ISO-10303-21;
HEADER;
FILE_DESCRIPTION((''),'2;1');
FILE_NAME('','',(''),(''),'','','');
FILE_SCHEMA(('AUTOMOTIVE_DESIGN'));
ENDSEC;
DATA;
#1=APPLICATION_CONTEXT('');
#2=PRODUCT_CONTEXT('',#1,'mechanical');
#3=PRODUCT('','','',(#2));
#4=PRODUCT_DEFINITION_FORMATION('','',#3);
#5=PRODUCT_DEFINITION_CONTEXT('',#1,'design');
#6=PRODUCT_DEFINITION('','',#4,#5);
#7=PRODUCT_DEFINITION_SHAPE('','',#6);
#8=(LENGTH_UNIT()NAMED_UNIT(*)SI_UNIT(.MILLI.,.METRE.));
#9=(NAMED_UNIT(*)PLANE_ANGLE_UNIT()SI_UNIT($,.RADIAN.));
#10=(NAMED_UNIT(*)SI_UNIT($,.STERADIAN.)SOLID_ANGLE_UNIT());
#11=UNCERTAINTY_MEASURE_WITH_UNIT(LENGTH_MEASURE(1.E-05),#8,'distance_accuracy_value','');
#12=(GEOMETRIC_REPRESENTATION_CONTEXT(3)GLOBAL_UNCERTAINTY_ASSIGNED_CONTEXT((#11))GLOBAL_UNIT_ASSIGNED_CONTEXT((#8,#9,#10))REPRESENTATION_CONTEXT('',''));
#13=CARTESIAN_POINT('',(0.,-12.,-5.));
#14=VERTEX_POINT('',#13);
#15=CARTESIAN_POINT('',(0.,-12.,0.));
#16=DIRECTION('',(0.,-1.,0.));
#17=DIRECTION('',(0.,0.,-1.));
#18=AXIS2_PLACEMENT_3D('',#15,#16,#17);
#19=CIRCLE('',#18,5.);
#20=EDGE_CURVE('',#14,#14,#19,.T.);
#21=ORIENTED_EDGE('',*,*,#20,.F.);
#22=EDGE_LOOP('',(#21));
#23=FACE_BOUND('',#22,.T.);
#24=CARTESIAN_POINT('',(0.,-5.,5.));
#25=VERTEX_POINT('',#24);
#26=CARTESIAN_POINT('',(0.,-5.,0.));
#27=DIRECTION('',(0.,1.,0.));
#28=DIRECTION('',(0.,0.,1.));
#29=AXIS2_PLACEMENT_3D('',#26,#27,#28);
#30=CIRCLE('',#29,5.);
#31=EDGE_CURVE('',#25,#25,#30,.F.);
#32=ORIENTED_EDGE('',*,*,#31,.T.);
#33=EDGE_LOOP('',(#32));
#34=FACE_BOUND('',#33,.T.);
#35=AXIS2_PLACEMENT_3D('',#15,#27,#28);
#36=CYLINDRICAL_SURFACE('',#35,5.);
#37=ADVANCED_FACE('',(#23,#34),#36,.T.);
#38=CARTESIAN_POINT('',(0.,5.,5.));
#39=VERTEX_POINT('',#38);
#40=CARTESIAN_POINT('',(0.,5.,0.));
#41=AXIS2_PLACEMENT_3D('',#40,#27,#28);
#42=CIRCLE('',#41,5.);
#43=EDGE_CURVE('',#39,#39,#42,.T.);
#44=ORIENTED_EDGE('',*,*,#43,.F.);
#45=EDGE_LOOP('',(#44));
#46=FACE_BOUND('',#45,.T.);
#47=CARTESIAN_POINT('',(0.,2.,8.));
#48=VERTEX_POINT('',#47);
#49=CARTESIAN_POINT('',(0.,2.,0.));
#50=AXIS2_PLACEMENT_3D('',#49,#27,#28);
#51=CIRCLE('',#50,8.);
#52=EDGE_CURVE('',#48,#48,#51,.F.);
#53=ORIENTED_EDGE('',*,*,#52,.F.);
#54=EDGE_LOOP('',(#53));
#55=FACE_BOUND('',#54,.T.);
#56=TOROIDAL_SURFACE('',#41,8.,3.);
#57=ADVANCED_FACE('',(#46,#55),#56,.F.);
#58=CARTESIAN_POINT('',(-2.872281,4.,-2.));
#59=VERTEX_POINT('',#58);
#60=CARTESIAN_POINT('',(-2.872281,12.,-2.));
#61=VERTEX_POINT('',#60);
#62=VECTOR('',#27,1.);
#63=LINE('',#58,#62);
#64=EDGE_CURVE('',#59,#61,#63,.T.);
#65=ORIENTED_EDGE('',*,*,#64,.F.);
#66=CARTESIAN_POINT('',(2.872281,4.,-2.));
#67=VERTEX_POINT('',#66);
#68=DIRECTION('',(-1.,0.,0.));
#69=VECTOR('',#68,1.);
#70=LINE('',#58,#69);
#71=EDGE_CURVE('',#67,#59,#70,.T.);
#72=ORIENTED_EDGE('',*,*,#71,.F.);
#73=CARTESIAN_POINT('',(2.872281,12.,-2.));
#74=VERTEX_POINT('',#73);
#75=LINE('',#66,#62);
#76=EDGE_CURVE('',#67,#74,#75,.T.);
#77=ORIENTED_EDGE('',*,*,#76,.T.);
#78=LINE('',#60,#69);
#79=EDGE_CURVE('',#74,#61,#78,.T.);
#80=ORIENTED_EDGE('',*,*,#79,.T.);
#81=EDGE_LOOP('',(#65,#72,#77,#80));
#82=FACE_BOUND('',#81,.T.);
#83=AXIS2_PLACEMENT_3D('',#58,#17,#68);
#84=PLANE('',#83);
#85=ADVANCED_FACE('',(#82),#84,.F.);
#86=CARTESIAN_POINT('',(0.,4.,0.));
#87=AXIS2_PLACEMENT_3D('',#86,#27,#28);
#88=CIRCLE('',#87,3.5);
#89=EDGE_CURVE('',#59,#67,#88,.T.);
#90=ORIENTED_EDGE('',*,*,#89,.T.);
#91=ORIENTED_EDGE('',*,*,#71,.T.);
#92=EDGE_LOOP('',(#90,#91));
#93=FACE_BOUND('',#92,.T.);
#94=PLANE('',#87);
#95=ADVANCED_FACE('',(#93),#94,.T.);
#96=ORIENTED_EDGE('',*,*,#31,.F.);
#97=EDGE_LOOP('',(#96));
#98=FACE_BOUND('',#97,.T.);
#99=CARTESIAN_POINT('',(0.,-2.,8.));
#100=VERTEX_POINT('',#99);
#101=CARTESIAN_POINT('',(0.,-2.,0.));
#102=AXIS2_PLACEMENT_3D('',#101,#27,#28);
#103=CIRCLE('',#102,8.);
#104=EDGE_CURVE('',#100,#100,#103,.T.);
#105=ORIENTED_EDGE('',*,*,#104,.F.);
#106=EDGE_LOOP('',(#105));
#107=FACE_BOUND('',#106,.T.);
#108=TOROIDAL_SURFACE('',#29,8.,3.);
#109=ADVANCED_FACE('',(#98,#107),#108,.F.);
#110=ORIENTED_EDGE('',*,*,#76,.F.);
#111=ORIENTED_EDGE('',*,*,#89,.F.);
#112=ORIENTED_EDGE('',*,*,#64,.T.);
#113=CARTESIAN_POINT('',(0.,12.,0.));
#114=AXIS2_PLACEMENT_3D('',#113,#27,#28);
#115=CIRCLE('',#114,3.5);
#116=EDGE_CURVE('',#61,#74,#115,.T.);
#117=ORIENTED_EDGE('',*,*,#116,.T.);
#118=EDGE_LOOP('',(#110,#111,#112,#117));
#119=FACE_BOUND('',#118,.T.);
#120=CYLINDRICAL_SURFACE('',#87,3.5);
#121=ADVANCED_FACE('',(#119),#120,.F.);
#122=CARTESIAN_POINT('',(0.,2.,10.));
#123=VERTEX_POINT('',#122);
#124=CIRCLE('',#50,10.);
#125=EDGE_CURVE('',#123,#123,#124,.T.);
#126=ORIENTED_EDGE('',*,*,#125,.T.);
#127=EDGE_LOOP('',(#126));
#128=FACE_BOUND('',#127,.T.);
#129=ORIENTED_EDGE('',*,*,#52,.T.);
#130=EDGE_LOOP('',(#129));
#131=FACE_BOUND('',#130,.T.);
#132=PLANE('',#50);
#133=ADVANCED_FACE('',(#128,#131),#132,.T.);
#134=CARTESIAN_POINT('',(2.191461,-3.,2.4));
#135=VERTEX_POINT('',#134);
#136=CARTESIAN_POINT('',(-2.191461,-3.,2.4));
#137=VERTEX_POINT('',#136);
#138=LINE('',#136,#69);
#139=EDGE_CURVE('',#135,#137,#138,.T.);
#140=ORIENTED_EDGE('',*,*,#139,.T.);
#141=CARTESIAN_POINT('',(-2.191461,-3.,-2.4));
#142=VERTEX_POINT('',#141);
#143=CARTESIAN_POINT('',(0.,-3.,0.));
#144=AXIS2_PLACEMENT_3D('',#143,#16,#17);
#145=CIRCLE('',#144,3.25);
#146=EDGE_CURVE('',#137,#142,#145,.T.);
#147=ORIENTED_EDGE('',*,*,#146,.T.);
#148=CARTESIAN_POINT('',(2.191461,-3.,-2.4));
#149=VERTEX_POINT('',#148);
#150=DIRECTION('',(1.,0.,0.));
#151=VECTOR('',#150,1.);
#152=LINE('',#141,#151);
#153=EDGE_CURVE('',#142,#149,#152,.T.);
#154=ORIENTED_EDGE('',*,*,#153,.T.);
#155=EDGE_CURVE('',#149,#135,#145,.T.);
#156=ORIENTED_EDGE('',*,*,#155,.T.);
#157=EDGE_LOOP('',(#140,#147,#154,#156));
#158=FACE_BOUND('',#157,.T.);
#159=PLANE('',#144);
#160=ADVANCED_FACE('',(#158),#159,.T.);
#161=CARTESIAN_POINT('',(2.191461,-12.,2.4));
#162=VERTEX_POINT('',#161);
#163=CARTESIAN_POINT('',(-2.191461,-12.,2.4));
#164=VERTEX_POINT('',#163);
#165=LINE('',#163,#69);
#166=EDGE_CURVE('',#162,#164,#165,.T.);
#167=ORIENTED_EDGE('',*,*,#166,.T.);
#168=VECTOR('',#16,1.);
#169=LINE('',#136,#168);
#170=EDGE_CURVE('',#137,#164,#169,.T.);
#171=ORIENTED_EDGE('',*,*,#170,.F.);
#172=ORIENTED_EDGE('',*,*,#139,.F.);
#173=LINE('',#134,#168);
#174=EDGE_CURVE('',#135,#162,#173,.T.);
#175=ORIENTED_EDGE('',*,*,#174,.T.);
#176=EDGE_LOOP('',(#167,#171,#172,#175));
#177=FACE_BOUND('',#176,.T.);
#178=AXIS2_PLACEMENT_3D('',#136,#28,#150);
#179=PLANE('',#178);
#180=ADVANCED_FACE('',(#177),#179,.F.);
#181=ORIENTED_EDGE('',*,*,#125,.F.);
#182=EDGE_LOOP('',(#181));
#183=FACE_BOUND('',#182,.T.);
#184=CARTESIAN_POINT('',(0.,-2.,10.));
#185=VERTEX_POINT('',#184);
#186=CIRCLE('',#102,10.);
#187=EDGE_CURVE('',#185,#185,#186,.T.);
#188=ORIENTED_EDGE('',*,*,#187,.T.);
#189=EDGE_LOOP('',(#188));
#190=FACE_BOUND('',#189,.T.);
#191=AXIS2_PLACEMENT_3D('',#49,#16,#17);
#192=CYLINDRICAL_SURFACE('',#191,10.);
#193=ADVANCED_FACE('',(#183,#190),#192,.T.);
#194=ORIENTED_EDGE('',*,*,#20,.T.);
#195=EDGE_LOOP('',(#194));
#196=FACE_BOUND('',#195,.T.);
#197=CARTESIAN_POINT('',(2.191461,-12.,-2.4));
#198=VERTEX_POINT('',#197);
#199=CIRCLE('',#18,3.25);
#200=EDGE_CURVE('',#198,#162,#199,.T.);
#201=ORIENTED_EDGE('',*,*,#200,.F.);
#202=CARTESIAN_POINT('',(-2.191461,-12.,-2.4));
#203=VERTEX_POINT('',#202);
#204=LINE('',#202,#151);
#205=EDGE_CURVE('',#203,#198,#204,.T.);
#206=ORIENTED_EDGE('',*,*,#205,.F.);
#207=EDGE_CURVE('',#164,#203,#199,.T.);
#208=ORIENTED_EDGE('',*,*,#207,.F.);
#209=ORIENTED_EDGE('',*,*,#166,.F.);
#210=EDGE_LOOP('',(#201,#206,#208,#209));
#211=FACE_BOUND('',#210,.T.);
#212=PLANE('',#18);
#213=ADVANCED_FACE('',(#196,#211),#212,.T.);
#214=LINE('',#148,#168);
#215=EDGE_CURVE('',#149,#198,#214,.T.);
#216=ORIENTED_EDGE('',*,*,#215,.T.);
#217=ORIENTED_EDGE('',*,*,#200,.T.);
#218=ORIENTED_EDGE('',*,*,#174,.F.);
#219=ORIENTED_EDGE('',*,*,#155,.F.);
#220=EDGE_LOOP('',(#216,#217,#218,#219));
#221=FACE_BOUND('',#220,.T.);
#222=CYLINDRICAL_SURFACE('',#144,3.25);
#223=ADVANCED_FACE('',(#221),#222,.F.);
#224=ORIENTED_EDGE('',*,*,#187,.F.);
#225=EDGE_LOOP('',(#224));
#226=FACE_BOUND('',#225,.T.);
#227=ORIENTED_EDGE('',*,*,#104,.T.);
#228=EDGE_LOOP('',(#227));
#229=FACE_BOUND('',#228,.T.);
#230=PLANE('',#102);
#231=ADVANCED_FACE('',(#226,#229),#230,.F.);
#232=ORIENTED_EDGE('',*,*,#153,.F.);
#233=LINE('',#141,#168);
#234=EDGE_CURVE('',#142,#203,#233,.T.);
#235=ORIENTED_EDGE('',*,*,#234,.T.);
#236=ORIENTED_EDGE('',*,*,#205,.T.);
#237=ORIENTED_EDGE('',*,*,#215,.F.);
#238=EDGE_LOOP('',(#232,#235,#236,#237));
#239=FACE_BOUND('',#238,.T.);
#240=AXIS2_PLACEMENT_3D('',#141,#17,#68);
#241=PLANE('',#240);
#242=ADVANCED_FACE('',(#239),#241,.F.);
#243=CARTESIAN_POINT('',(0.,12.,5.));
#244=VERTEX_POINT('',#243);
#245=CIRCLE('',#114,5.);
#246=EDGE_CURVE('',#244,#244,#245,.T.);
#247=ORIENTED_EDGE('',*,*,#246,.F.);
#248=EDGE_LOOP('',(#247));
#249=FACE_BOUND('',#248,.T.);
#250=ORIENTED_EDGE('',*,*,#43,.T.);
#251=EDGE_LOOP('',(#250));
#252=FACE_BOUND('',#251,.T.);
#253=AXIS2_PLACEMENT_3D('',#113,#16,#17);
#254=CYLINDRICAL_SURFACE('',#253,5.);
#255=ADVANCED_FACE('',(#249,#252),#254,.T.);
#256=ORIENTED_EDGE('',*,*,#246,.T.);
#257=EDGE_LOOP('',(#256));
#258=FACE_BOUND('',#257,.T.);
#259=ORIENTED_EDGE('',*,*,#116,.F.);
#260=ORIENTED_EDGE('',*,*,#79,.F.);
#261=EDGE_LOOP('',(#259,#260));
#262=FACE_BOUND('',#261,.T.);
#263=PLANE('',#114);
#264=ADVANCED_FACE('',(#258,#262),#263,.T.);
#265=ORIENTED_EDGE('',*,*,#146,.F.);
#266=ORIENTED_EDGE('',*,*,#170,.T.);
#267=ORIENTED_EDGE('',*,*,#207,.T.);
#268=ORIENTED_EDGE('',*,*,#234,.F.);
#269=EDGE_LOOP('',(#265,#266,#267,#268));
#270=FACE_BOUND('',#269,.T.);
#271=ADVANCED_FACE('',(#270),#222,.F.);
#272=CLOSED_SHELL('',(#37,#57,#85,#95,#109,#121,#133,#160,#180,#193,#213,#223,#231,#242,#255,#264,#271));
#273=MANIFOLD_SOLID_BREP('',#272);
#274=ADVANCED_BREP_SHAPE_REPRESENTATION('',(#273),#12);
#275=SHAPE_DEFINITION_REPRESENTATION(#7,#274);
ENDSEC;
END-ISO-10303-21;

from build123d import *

# Parameters (mm, degrees)
CROQUIS1_R              = 10
SALIENTE_EXTRUIR1_DEPTH = 2
CROQUIS2_R              = 5
SALIENTE_EXTRUIR2_DEPTH = 10
CORTAR_EXTRUIR1_DEPTH   = 8
SALIENTE_EXTRUIR3_START = 10
CROQUIS4_R              = 5
SALIENTE_EXTRUIR3_DEPTH = 10
REDONDEO1_R             = 3
CORTAR_EXTRUIR2_DEPTH   = 9


with BuildPart() as part:
    # Croquis1 → Saliente-Extruir1 (new, symmetric)
    with BuildSketch(Plane(origin=(0, 0, 0), x_dir=(1, 0, 0), z_dir=(0, 1, 0))):
        with Locations(Location((0, 0, 0), (0, 0, 270))):
            Circle(CROQUIS1_R)
    extrude(amount=SALIENTE_EXTRUIR1_DEPTH, both=True)

    # Croquis2 → Saliente-Extruir2 (add)
    with BuildSketch(Plane(origin=(0, 2, 0), x_dir=(1, 0, 0), z_dir=(0, 1, 0))):
        with Locations(Location((0, 0, 0), (0, 0, 270))):
            Circle(CROQUIS2_R)
    extrude(amount=SALIENTE_EXTRUIR2_DEPTH)

    # Croquis3 → Cortar-Extruir1 (cut)
    with BuildSketch(Plane(origin=(0, 12, 0), x_dir=(1, 0, 0), z_dir=(0, 1, 0))):
        with BuildLine():
            Line((-2.872281323, 2), (2.872281323, 2))
            ThreePointArc((2.872281323, 2), (0, -3.5), (-2.872281323, 2))
        make_face()
    extrude(amount=-CORTAR_EXTRUIR1_DEPTH, mode=Mode.SUBTRACT)

    # Croquis4 → Saliente-Extruir3 (add)
    with BuildSketch(Plane(origin=(0, -2, 0), x_dir=(-1, 0, 0), z_dir=(0, -1, 0)).offset(SALIENTE_EXTRUIR3_START)):
        with Locations(Location((0, 0, 0), (0, 0, 270))):
            Circle(CROQUIS4_R)
    extrude(amount=-SALIENTE_EXTRUIR3_DEPTH)

    # Redondeo1
    redondeo1_edges = [part.edges().sort_by_distance(p)[0] for p in [
        (0, -2, -5),
        (0, 2, -5),
    ]]
    fillet(redondeo1_edges, radius=REDONDEO1_R)

    # Croquis5 → Cortar-Extruir2 (cut)
    with BuildSketch(Plane.XZ.offset(12)):
        with BuildLine():
            Line((-2.1914607, 2.4), (2.1914607, 2.4))
            ThreePointArc((2.1914607, 2.4), (3.25, 0), (2.1914607, -2.4))
            Line((2.1914607, -2.4), (-2.1914607, -2.4))
            ThreePointArc((-2.1914607, -2.4), (-3.25, 0), (-2.1914607, 2.4))
        make_face()
    extrude(amount=-CORTAR_EXTRUIR2_DEPTH, mode=Mode.SUBTRACT)


solid = part.part
